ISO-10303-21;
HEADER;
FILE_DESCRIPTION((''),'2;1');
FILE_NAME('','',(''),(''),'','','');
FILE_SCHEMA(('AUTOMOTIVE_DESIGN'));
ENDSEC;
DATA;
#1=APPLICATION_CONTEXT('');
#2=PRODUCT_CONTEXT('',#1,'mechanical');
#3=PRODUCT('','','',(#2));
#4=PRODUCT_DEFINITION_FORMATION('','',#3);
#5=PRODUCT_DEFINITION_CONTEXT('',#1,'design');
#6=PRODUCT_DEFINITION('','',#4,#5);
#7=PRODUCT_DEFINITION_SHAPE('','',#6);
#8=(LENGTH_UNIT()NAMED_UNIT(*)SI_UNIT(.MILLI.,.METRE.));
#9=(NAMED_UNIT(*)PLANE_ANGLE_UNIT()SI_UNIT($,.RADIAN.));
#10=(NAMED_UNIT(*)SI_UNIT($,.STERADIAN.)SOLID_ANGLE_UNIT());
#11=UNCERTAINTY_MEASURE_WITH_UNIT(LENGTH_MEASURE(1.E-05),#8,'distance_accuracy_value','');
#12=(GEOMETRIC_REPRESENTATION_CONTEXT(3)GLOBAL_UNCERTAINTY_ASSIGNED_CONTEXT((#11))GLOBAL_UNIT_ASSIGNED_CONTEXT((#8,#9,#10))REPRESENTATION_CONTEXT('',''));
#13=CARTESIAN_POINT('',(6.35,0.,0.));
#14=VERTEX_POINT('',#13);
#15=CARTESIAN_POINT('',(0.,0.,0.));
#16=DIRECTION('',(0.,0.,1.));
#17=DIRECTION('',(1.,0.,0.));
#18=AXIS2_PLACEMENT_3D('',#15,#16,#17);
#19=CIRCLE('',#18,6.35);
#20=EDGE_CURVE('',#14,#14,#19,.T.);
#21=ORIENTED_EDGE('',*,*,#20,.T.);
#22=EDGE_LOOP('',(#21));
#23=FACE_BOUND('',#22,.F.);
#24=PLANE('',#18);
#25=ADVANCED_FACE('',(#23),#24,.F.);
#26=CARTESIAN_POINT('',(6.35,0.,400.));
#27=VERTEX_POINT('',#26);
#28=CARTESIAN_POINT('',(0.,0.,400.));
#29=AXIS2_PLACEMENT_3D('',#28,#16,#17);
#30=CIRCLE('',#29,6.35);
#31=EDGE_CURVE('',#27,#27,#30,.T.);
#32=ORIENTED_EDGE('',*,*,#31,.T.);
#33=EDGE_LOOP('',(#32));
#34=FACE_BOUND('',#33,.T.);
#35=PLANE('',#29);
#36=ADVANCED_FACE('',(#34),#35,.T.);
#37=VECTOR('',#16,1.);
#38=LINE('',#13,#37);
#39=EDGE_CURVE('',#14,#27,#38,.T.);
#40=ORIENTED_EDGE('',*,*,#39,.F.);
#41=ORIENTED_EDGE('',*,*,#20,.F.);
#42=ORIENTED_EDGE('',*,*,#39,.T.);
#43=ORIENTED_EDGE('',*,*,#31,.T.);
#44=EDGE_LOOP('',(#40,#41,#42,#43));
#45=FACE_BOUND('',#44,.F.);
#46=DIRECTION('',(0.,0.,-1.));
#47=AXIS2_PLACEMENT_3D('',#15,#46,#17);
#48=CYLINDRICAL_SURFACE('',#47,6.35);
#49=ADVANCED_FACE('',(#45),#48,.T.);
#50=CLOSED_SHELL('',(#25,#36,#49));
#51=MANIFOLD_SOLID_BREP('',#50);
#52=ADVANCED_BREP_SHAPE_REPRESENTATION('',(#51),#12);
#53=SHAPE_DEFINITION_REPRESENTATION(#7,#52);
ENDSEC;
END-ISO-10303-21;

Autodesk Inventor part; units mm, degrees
ref_plane "YZ Plane" through (0, 0, 0) normal (1, 0, 0) x (0, 1, 0)
ref_plane "XZ Plane" through (0, 0, 0) normal (0, 1, 0) x (-1, 0, 0)
ref_plane "XY Plane" through (0, 0, 0) normal (0, 0, 1) x (1, 0, 0)
sketch "Sketch1" plane through (0, 0, 0) normal (0, 0, 1) x (1, 0, 0)
  circle A0 centre (0, 0) radius 6.35
  dimension "d0" = 12.7
extrude "Extrusion1" add sketch "Sketch1" along normal blind 400
properties part number "rod_450mm"
